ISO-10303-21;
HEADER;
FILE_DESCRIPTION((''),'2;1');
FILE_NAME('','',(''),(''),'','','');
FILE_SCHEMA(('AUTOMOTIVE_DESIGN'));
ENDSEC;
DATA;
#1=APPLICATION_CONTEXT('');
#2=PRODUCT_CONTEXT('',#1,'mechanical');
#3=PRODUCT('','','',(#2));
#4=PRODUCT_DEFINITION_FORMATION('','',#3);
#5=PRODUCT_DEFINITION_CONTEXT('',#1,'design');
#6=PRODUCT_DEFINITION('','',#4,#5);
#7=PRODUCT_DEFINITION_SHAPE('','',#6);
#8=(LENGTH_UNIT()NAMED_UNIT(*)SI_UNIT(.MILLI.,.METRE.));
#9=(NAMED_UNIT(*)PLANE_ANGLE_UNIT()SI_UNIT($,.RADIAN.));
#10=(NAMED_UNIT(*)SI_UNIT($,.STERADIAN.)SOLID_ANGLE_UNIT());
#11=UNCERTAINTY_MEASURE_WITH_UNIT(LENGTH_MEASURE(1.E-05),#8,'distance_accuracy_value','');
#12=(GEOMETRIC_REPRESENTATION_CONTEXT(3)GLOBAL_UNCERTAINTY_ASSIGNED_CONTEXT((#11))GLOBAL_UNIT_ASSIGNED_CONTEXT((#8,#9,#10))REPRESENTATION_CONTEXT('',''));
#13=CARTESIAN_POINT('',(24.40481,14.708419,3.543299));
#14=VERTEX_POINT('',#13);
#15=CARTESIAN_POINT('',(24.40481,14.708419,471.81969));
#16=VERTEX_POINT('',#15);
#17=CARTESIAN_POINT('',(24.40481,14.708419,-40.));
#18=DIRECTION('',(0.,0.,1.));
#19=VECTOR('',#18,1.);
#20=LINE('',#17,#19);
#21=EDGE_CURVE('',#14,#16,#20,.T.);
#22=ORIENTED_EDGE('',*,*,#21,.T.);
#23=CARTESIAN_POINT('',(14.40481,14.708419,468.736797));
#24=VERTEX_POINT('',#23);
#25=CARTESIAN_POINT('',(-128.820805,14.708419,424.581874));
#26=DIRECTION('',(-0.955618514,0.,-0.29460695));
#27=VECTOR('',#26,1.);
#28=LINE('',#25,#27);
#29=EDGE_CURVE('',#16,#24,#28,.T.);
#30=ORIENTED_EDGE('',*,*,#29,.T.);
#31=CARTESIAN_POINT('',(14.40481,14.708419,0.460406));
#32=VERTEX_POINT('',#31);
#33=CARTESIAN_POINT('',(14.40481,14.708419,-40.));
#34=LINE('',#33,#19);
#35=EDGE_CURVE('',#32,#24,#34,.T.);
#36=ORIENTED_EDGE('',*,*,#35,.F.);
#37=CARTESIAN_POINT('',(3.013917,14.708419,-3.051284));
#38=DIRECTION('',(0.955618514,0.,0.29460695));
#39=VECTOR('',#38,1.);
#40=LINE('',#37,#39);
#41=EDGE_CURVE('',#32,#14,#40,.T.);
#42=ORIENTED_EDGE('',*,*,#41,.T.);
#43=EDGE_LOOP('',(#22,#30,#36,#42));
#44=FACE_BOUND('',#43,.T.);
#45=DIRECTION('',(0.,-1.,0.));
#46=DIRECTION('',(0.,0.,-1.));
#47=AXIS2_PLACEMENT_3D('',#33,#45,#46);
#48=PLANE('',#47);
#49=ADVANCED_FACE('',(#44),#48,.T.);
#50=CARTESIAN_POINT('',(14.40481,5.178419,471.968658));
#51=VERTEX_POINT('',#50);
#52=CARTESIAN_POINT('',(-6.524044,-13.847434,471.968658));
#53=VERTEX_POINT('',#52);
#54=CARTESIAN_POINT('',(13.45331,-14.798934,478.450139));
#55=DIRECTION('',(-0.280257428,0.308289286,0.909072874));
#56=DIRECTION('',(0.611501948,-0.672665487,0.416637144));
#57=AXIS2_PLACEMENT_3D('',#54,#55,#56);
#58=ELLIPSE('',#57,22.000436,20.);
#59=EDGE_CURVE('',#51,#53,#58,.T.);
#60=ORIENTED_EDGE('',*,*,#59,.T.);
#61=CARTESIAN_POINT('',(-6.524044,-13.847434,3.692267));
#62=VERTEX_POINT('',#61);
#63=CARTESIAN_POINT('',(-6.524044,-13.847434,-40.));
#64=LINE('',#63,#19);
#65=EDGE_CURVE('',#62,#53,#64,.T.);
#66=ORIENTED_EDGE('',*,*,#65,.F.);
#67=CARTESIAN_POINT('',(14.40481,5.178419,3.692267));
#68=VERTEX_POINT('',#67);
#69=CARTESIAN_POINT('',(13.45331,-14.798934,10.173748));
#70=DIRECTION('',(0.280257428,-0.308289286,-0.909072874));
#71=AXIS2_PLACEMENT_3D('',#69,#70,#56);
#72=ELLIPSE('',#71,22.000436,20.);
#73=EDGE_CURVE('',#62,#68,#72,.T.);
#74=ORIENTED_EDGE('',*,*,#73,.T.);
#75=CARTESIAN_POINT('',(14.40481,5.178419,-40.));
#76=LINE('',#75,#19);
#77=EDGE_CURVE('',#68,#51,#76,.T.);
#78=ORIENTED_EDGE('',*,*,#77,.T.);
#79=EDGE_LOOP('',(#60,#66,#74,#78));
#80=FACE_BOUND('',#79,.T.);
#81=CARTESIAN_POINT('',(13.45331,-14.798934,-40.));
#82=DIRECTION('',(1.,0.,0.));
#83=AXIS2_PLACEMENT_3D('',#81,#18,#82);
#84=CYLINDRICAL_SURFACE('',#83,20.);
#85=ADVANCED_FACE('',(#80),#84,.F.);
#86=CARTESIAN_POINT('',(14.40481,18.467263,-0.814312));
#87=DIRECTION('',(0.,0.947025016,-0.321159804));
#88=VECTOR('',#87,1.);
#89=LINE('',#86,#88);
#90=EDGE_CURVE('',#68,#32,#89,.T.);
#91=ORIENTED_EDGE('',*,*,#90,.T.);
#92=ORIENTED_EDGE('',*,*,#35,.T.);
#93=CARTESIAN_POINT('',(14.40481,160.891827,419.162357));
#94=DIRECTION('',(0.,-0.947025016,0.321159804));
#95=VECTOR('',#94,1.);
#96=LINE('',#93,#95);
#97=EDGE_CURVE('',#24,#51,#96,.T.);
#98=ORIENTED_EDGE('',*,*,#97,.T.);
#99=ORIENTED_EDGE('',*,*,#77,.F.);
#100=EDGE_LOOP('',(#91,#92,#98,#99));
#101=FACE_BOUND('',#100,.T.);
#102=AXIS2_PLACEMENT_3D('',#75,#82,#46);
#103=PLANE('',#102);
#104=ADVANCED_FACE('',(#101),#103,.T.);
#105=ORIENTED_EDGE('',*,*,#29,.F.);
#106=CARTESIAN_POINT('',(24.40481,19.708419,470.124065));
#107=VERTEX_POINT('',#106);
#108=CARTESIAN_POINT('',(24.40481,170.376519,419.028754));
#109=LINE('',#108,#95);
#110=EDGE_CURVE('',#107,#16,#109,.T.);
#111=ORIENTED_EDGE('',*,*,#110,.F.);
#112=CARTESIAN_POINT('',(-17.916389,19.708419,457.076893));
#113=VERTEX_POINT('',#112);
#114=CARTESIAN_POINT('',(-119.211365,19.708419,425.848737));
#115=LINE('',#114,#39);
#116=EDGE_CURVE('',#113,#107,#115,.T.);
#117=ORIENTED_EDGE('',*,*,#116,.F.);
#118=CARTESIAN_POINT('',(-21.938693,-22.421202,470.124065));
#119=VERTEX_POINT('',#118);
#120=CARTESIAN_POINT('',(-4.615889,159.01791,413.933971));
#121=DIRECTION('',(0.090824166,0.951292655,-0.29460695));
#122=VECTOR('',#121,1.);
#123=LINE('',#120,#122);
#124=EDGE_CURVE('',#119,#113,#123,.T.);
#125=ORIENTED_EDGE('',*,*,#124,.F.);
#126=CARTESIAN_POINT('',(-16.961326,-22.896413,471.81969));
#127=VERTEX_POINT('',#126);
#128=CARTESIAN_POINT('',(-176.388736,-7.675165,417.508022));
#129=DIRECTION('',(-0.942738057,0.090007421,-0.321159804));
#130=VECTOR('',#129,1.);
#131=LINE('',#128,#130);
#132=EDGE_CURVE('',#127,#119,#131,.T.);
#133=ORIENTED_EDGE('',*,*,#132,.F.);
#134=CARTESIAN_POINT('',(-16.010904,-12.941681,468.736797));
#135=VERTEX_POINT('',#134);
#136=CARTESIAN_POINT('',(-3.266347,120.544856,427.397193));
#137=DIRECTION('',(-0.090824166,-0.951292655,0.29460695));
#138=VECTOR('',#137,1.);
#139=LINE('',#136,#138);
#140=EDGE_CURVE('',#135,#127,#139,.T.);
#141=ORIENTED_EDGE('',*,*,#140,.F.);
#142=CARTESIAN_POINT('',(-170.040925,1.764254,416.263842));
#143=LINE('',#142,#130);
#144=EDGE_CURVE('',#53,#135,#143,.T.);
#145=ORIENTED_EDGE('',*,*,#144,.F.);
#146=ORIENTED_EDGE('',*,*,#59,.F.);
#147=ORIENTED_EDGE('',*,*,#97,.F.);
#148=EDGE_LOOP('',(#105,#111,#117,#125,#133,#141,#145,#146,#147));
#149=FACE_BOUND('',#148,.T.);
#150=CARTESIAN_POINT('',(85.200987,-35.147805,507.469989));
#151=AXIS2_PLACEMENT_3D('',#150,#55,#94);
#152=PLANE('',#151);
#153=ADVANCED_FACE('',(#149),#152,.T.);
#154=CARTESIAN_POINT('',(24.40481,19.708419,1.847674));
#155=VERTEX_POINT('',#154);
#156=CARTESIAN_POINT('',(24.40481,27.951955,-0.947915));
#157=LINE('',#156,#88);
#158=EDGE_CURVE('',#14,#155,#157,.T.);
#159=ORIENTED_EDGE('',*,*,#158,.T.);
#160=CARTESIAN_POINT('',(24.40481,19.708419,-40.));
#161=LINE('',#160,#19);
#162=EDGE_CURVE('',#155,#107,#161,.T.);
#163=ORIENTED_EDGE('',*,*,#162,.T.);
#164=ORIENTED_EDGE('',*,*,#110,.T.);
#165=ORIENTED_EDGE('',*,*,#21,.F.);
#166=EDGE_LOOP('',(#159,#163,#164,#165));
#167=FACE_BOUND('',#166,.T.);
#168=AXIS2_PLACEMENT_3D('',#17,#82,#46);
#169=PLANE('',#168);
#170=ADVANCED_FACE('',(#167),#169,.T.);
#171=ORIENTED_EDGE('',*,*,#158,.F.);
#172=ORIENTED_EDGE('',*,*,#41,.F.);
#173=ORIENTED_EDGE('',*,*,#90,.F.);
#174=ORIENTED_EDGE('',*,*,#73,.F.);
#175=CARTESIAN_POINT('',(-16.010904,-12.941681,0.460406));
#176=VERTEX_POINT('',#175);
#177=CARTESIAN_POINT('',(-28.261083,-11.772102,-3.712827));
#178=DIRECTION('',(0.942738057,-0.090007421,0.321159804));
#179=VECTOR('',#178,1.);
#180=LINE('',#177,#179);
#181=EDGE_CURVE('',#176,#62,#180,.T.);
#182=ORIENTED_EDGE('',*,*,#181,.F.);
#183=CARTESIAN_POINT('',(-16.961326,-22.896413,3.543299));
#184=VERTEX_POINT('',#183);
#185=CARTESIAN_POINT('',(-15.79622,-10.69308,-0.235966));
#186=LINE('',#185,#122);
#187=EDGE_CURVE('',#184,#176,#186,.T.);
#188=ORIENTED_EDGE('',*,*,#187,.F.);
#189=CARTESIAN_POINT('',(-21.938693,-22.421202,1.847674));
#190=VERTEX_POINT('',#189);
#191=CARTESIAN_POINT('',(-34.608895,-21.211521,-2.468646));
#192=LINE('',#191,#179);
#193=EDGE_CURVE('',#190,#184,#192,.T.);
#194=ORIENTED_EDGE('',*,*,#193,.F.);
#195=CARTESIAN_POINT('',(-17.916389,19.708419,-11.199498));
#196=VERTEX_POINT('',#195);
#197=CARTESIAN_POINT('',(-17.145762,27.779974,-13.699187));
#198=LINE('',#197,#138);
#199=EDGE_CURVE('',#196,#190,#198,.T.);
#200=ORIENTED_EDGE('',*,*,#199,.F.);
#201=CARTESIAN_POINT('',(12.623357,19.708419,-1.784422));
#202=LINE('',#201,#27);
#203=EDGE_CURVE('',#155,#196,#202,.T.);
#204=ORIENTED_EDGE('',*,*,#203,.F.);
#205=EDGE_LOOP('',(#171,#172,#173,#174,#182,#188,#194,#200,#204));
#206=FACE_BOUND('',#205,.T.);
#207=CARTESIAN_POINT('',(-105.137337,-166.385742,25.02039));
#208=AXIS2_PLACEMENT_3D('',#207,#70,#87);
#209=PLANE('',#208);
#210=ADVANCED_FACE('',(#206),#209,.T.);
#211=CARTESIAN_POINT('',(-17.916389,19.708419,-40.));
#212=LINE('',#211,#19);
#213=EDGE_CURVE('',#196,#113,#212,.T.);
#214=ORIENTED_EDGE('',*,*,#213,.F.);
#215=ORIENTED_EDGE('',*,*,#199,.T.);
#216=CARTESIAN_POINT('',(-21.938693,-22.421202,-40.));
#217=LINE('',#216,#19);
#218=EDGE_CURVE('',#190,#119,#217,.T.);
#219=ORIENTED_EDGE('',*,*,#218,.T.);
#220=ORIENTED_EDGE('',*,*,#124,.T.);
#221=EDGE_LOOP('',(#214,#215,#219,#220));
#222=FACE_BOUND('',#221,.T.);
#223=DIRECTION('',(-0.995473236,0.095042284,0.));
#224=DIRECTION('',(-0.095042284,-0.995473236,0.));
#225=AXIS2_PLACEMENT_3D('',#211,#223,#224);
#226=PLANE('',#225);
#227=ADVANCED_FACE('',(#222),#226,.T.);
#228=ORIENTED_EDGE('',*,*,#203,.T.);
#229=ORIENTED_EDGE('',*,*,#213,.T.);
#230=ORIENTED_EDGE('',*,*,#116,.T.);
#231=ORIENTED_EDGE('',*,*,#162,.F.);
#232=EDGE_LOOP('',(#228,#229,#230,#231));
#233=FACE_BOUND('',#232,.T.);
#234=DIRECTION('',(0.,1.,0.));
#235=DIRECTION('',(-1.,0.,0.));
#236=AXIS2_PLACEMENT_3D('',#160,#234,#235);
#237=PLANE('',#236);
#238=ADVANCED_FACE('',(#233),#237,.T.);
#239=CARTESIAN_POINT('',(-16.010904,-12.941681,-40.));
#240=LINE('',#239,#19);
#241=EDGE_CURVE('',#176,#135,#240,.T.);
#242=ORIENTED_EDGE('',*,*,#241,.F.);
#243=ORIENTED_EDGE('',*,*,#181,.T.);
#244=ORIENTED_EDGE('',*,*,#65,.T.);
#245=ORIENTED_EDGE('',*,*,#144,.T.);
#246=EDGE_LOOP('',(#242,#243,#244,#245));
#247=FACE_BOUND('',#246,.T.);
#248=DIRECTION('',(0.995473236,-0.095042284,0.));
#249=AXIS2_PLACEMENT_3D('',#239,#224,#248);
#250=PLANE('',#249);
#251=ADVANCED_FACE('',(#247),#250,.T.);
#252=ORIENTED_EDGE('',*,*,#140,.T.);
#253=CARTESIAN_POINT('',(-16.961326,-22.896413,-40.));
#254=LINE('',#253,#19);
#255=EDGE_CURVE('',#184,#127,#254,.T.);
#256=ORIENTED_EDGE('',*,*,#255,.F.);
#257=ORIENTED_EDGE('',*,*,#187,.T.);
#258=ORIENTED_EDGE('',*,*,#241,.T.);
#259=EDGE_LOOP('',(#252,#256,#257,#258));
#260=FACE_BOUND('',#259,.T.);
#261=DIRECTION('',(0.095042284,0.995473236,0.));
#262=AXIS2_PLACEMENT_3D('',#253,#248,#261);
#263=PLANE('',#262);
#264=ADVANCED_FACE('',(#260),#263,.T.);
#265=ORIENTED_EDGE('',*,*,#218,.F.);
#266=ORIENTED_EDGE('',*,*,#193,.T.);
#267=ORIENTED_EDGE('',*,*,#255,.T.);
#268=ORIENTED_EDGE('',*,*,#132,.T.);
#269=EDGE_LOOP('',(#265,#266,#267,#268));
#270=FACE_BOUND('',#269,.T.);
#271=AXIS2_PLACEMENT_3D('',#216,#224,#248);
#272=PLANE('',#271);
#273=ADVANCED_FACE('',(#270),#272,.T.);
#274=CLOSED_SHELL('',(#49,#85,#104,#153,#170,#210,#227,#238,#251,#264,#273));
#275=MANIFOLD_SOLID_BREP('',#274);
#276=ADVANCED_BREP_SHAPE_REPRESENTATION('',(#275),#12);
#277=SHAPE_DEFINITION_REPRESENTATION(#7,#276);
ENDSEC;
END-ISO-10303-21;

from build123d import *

# Parameters (mm, degrees)
BOSS_EXTRUDE2_DEPTH      = 514
BOSS_EXTRUDE2_DEPTH_BACK = 40
CUT_EXTRUDE1_DEPTH       = 3636.875029428
CUT_EXTRUDE1_DEPTH_BACK  = 3636.875029428


with BuildPart() as part:
    # Sketch1 → Boss-Extrude2 (new, two sides: drawn at the far end of the back side and taken through both)
    with BuildSketch(Plane.XY.offset(-BOSS_EXTRUDE2_DEPTH_BACK)):
        with BuildLine():
            Line((14.404810003, 5.178419046), (14.404810003, 14.708419046))
            Line((14.404810003, 14.708419046), (24.404810003, 14.708419046))
            Line((24.404810003, 14.708419046), (24.404810003, 19.708419046))
            Line((24.404810003, 19.708419046), (-17.916389143, 19.708419046))
            Line((-17.916389143, 19.708419046), (-21.938692577, -22.421202033))
            Line((-21.938692577, -22.421202033), (-16.961326395, -22.896413454))
            Line((-16.961326395, -22.896413454), (-16.010903554, -12.941681091))
            Line((-16.010903554, -12.941681091), (-6.524043612, -13.847434058))
            ThreePointArc((-6.524043612, -13.847434058), (0, 0), (14.404810003, 5.178419046))
        make_face()
    extrude(amount=BOSS_EXTRUDE2_DEPTH + BOSS_EXTRUDE2_DEPTH_BACK)

    # Sketch2 → Cut-Extrude1 (cut, two sides: drawn at the far end of the back side and taken through both)
    with BuildSketch(Plane(origin=(-738.20187256, 812.038169561, 3415.561100518), x_dir=(-0.955618514406147, 0, -0.2946069498911878), z_dir=(0.0908241663548398, 0.9512926552232807, -0.29460694989118763)).offset(-CUT_EXTRUDE1_DEPTH_BACK)):
        Polygon((69.88483537, -3135.609871351), (246.824126872, -3135.609871351), (167.605357186, -3034.434147623), align=None)
        Polygon((236.262195777, -3561.307235785), (313.780261045, -3654.403893751), (393.908665817, -3561.307235785), align=None)
    extrude(amount=CUT_EXTRUDE1_DEPTH + CUT_EXTRUDE1_DEPTH_BACK, mode=Mode.SUBTRACT)


solid = part.part
